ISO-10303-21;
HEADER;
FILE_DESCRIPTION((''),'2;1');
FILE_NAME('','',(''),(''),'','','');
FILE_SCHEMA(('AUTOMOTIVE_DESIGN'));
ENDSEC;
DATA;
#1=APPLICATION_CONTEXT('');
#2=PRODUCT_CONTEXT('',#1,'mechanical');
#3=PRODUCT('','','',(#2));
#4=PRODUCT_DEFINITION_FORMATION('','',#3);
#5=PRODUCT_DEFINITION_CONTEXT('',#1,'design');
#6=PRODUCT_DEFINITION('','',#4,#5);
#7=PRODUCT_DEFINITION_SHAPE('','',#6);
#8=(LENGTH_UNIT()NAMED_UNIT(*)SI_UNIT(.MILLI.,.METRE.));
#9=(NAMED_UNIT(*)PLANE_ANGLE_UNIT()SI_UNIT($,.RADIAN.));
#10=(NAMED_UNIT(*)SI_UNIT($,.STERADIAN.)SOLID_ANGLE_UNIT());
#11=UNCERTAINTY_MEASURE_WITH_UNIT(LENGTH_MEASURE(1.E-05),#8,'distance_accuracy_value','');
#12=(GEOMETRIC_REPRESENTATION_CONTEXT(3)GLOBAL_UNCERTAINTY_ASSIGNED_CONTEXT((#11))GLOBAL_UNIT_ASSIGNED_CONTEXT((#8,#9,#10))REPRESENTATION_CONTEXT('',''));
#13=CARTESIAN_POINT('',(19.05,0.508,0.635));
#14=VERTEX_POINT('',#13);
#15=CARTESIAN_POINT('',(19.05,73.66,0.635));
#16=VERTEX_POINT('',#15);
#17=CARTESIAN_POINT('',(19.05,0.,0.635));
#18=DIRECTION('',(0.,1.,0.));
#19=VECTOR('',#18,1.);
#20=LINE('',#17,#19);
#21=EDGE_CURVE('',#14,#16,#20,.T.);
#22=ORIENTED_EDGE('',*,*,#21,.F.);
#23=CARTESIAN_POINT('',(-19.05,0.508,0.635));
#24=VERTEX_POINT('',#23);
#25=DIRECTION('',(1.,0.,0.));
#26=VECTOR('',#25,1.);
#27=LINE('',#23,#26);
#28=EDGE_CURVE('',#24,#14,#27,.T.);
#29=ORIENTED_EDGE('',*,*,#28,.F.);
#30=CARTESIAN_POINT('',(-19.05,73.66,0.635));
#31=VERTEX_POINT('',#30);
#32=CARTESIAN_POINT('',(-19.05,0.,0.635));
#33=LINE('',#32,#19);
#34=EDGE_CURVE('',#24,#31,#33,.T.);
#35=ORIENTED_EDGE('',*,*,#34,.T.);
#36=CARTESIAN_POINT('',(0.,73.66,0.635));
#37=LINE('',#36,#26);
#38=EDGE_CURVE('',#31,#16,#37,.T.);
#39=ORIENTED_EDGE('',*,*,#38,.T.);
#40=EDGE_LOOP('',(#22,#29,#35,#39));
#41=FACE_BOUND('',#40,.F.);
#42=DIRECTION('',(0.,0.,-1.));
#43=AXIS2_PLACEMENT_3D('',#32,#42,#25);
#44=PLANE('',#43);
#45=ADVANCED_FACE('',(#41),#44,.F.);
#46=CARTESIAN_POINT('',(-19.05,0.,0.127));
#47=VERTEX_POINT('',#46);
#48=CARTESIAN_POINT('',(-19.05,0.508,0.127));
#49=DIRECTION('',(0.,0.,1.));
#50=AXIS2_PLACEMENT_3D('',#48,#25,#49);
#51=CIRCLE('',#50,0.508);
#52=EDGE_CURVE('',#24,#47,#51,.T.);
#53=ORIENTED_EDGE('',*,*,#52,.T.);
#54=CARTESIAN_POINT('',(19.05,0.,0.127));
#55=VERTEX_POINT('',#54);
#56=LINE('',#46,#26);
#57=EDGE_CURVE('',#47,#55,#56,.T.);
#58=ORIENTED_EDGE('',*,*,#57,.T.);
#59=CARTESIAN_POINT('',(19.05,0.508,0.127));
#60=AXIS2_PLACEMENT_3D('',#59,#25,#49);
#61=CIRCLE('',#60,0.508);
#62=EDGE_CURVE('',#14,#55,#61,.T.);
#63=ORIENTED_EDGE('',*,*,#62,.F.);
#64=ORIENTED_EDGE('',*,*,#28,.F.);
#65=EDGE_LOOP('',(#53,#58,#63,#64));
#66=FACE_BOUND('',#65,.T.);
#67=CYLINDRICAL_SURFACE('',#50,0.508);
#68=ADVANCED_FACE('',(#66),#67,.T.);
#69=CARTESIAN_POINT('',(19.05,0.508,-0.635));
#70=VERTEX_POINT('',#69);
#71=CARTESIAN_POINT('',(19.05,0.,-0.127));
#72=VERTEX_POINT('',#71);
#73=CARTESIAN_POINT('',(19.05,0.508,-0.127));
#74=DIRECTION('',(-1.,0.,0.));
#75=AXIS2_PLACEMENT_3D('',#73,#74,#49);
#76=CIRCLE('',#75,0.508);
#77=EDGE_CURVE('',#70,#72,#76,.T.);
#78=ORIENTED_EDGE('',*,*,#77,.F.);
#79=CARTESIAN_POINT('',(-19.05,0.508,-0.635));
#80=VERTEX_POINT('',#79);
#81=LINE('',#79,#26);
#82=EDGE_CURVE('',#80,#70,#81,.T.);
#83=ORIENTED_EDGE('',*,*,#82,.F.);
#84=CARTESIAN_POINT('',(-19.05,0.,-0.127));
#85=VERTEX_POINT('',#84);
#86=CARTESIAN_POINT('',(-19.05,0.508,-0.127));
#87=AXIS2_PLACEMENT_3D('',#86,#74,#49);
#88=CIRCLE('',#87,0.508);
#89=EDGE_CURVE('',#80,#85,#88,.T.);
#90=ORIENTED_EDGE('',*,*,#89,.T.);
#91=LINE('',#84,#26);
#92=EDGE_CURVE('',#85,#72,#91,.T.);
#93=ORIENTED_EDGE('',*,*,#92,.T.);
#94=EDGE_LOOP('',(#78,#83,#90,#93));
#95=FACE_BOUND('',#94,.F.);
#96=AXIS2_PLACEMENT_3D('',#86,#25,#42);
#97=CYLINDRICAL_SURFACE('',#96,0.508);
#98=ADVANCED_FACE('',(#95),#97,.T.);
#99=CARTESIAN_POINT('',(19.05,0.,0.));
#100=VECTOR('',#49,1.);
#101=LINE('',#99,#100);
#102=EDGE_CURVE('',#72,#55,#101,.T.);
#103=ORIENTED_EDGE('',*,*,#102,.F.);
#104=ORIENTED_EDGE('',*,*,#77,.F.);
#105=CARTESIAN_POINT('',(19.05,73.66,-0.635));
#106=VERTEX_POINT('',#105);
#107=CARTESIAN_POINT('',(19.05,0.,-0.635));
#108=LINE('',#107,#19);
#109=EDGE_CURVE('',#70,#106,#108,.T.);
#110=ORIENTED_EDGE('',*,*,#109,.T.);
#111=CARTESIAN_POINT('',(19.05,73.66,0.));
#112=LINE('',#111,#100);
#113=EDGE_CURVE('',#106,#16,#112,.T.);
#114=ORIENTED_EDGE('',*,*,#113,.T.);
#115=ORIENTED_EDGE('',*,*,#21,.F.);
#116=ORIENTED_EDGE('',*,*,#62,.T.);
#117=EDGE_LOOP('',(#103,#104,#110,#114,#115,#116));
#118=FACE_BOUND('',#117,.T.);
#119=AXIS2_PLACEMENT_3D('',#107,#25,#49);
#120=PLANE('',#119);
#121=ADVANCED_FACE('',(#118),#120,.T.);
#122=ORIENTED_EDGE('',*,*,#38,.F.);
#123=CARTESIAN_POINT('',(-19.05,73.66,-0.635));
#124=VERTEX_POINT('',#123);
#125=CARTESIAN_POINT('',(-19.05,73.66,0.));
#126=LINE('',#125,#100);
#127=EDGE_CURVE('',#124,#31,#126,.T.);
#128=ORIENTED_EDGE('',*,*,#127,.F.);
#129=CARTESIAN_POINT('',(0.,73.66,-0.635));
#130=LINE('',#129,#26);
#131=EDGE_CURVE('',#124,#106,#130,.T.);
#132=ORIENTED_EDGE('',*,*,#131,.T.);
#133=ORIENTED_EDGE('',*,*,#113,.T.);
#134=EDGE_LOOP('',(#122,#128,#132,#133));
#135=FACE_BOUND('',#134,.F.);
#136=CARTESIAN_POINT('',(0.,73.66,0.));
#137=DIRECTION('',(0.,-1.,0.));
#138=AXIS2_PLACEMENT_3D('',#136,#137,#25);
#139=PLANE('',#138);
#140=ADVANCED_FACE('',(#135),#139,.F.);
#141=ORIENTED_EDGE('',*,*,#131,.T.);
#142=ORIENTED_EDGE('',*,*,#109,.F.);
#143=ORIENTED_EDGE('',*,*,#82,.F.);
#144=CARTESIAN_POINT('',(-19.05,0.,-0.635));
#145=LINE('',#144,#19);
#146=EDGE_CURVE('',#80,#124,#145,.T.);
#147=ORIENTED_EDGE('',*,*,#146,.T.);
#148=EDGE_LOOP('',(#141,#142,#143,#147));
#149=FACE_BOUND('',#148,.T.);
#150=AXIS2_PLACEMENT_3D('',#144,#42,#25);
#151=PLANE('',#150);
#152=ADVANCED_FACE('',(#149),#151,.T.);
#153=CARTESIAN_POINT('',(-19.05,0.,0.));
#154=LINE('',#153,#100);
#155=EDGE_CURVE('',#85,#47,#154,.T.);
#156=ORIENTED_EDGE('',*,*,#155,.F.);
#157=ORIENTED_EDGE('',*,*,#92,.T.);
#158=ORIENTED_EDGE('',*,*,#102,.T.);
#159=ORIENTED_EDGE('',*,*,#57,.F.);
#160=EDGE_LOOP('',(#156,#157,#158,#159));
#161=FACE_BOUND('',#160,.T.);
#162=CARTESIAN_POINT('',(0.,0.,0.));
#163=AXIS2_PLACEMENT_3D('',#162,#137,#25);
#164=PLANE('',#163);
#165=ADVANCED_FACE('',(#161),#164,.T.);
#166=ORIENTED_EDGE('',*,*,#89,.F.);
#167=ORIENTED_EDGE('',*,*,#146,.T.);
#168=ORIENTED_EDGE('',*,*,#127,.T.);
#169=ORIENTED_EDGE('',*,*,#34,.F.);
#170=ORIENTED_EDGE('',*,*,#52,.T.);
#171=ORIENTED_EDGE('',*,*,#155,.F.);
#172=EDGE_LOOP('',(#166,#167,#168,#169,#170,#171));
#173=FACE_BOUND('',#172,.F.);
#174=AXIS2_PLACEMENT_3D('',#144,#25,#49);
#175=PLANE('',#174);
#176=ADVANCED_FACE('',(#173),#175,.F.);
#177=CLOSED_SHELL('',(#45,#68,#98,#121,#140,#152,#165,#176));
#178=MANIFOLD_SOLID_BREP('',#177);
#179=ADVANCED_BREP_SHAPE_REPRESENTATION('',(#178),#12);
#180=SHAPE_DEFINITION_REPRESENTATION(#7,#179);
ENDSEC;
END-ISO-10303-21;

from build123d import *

# Parameters (mm, degrees)
F0_W     = 38.1
F0_H     = 1.27
F1_DEPTH = 73.66
F2_R     = 0.508


with BuildPart() as f1:
    # F0 (on Front) → F1 (new body)
    with BuildSketch(Plane.XZ):
        Rectangle(F0_W, F0_H)
    extrude(amount=-F1_DEPTH)

    # F2
    f2_edges = [f1.edges().sort_by_distance(p)[0] for p in [
        (0, 0, 0.635),
        (0, 0, -0.635),
    ]]
    fillet(f2_edges, radius=F2_R)


solid = f1.part
